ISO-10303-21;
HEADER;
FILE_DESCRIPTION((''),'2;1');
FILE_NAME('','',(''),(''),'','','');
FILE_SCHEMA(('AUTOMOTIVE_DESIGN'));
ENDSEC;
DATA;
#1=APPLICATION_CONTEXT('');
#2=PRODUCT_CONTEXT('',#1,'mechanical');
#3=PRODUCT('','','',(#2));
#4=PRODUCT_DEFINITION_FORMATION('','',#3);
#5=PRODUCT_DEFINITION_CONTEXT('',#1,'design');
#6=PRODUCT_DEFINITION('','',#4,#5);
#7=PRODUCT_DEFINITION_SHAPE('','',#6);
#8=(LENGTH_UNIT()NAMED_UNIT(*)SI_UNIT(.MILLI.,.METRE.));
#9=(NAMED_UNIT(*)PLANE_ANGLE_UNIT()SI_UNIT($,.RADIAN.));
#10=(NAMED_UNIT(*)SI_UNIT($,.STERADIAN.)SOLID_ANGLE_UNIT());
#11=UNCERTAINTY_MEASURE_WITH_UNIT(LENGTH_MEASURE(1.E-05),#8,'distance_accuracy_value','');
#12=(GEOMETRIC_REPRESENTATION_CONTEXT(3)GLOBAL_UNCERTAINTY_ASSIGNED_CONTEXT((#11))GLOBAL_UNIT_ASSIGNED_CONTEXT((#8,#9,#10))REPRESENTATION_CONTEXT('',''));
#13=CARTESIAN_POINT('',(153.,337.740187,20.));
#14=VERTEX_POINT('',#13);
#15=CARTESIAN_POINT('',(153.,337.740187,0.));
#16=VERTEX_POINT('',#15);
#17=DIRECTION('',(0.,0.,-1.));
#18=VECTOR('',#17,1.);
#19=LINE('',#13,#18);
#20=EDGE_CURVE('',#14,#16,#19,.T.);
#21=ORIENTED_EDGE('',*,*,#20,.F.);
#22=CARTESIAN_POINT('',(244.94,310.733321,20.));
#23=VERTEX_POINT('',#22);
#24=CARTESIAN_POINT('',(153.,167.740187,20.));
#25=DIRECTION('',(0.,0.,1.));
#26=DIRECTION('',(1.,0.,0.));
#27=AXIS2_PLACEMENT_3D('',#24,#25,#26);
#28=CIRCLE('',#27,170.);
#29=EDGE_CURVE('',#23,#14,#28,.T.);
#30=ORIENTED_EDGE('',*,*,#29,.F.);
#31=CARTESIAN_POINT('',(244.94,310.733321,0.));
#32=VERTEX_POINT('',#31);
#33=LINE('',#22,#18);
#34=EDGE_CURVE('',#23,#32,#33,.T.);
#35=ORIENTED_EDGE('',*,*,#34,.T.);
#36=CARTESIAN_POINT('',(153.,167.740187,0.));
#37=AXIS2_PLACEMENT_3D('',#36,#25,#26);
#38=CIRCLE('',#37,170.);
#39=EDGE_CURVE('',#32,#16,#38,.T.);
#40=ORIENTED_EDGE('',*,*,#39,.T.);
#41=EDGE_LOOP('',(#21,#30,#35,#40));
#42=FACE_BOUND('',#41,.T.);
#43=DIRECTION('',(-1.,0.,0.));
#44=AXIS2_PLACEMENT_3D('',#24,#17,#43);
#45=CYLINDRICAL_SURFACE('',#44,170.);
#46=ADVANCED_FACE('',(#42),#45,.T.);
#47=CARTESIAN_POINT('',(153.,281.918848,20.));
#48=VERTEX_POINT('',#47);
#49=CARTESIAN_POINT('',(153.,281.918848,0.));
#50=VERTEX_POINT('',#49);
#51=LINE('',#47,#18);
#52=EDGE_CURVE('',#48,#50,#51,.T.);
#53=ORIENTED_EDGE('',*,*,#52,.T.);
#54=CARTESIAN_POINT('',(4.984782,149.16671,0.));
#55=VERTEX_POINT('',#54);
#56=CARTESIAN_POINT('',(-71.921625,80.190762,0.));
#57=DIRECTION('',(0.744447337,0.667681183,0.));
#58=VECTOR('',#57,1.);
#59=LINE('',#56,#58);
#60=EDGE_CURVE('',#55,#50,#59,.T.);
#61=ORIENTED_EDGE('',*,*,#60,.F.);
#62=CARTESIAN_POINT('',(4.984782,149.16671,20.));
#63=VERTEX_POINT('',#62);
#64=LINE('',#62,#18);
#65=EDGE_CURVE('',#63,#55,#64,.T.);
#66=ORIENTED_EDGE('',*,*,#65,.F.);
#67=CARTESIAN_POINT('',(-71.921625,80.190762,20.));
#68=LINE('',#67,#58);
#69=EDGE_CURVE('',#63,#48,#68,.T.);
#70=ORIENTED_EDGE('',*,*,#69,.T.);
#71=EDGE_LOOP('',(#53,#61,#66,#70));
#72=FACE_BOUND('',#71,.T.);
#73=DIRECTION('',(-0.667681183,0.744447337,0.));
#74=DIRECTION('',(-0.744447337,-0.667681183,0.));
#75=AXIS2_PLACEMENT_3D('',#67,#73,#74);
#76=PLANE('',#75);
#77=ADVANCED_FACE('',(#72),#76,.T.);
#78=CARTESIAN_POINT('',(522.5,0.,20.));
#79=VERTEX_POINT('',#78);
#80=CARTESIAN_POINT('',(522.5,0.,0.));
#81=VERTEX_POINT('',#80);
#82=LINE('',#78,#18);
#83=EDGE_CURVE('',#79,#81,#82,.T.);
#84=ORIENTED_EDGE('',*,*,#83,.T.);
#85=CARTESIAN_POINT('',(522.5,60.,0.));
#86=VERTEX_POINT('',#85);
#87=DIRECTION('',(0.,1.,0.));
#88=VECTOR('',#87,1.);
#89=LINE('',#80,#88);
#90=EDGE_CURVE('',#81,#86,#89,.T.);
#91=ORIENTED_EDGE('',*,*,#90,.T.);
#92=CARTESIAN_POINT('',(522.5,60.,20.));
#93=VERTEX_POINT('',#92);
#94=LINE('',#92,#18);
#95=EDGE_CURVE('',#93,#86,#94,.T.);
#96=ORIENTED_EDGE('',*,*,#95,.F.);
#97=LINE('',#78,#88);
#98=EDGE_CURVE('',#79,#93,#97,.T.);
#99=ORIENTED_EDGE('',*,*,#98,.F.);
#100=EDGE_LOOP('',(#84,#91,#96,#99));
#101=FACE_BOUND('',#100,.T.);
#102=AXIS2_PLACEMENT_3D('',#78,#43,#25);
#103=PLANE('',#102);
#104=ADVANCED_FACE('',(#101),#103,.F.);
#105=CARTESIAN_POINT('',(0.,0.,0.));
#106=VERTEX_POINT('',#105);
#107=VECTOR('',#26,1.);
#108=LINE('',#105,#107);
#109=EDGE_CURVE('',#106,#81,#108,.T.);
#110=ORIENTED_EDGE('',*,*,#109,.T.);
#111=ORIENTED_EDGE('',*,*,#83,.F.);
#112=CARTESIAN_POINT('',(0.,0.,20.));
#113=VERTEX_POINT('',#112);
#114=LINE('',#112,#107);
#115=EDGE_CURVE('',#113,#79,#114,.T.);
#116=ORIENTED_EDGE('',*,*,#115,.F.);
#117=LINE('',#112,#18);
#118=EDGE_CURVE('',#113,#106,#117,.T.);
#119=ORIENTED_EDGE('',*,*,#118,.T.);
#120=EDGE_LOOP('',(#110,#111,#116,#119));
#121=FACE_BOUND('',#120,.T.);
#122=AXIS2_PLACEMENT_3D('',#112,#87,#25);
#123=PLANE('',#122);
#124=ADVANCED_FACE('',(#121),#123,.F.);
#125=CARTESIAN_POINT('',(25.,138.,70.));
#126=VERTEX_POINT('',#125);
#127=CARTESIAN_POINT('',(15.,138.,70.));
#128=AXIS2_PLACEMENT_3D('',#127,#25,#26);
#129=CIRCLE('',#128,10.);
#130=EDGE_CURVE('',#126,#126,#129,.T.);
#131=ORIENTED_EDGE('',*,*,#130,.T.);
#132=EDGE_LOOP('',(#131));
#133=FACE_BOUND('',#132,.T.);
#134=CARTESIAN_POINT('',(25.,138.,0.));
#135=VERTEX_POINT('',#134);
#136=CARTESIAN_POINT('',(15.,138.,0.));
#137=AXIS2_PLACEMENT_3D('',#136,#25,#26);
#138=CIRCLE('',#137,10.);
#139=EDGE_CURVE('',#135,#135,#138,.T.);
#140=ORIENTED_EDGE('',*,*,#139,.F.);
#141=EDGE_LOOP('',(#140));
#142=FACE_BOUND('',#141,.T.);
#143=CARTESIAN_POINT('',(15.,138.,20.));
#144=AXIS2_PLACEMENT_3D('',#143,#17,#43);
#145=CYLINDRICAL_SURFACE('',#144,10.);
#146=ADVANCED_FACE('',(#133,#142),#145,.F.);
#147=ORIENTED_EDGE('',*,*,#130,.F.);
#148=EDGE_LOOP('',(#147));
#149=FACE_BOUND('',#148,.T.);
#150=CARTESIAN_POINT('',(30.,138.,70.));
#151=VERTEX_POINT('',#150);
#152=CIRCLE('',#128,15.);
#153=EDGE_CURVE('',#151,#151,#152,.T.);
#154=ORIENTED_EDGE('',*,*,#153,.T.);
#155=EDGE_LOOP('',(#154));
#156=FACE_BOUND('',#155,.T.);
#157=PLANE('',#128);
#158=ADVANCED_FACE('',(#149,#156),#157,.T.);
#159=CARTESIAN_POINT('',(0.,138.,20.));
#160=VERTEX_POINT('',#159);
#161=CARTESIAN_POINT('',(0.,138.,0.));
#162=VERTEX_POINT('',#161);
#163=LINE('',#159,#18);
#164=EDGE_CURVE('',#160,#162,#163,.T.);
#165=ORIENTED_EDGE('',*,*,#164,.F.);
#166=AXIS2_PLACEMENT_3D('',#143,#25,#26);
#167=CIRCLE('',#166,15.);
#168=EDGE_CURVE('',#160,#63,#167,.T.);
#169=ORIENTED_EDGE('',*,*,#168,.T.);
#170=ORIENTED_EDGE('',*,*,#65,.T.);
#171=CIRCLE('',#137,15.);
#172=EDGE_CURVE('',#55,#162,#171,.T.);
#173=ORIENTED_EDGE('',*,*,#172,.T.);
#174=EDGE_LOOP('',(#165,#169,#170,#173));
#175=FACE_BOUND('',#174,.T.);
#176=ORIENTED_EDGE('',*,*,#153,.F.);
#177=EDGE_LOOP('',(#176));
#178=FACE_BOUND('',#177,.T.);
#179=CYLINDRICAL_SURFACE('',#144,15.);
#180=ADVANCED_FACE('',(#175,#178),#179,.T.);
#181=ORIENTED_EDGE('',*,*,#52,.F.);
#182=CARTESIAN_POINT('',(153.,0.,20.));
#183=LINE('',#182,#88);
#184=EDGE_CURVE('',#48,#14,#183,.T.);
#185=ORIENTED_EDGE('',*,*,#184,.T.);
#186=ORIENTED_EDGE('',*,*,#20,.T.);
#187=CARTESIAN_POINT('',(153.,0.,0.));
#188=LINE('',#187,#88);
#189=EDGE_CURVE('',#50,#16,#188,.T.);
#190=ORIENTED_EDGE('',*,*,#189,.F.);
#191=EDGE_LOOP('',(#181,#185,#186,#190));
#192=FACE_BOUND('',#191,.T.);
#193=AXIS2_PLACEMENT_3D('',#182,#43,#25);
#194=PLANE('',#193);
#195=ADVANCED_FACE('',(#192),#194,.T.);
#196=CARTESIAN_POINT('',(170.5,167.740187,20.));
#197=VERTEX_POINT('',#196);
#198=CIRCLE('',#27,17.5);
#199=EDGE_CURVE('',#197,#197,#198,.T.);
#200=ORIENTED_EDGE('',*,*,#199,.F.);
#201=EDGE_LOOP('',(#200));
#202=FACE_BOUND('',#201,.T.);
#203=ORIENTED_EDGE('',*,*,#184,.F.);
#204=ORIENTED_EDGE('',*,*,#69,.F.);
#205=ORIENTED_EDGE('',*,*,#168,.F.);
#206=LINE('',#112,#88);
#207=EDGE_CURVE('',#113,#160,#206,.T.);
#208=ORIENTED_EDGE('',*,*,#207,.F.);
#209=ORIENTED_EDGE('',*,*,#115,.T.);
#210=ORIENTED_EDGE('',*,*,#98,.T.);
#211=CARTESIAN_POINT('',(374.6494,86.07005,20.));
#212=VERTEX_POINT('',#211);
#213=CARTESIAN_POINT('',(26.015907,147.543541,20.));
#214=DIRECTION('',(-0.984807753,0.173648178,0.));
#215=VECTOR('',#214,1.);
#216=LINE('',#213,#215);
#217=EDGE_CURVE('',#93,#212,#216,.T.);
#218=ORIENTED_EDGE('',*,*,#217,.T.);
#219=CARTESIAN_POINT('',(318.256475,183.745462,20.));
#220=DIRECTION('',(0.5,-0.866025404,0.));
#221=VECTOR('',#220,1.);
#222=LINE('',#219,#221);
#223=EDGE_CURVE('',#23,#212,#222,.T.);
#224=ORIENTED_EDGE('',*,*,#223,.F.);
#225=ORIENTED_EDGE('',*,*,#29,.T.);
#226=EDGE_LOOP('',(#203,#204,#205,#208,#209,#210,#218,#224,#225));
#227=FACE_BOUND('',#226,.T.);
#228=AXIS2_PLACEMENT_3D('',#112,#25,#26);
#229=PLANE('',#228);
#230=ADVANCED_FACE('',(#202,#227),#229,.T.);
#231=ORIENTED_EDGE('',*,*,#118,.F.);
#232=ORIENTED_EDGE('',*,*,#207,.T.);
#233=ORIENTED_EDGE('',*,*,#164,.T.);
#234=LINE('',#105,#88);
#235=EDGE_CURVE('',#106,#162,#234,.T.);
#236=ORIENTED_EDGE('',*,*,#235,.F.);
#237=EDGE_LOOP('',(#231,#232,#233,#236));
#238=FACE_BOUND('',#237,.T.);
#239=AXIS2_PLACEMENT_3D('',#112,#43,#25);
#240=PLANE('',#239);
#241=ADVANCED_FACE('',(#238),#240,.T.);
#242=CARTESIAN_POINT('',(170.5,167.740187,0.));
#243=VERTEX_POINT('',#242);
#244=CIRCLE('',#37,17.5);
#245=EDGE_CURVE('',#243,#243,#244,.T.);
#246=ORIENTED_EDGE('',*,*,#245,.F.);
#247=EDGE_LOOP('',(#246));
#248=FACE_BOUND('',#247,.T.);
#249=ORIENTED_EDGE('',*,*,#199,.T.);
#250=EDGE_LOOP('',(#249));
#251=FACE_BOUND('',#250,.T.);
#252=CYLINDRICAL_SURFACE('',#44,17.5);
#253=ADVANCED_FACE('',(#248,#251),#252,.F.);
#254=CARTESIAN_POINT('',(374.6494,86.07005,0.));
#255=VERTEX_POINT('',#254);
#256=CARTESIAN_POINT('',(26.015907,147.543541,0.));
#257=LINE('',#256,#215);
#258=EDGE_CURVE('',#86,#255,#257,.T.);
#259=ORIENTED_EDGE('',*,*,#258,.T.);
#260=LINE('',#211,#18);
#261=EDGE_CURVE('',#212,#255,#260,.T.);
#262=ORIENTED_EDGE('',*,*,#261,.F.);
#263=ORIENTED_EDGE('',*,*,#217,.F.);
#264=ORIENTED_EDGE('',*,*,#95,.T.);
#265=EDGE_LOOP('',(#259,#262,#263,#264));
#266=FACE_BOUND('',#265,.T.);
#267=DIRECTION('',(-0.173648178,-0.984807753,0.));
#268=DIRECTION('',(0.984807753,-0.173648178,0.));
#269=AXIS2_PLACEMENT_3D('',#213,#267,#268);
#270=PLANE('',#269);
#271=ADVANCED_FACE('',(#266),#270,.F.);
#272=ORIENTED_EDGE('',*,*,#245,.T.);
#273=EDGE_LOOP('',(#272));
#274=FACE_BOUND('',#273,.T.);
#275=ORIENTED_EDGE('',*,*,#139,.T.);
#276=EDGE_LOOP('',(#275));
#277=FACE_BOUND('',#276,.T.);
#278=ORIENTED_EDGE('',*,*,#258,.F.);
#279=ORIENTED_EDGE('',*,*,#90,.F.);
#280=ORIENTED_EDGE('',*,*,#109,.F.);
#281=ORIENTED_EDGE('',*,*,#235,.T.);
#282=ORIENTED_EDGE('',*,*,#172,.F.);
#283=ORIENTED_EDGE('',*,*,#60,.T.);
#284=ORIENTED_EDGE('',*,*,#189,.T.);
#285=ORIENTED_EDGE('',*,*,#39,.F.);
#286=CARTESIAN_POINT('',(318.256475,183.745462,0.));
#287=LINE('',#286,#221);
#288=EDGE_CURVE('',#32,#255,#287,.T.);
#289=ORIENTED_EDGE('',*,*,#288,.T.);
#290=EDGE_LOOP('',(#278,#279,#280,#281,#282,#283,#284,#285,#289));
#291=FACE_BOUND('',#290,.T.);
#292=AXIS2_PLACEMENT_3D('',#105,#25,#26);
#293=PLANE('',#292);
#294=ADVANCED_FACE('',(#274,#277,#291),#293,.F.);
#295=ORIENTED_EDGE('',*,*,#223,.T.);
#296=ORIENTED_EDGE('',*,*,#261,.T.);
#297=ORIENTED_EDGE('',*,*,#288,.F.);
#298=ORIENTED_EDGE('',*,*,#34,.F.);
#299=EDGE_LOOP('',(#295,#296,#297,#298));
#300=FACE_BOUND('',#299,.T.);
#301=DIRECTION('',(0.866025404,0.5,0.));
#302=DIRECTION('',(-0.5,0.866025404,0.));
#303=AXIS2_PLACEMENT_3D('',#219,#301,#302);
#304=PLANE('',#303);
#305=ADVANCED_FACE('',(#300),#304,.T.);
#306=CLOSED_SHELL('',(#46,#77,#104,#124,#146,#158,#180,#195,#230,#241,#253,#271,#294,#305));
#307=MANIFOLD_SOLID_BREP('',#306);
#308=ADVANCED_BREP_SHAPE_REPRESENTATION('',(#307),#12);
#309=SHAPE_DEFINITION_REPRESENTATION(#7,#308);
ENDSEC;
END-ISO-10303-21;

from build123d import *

# Parameters (mm, degrees)
SKETCH1_R           = 17.5
SKETCH1_R_2         = 10
BOSS_EXTRUDE1_DEPTH = 20
SKETCH2_R           = 15
SKETCH2_R_2         = 10
BOSS_EXTRUDE2_DEPTH = 50


with BuildPart() as part:
    # Sketch1 → Boss-Extrude1 (new body)
    with BuildSketch(Plane.XY):
        with BuildLine():
            Line((0, 138), (0, 0))
            Line((0, 0), (522.5, 0))
            Line((522.5, 0), (522.5, 60))
            Line((522.5, 60), (374.649400312, 86.070049839))
            Line((374.649400312, 86.070049839), (244.94, 310.733321399))
            ThreePointArc((244.94, 310.733321399), (200.912248971, 330.848790378), (153, 337.740187298))
            Line((153, 337.740187298), (153, 281.918848091))
            Line((153, 281.918848091), (4.984782256, 149.166710059))
            ThreePointArc((4.984782256, 149.166710059), (1.302769146, 144.114398329), (0, 138))
        make_face()
        with Locations((153, 167.740187298)):
            Circle(SKETCH1_R, mode=Mode.SUBTRACT)
        with Locations((15, 138)):
            Circle(SKETCH1_R_2, mode=Mode.SUBTRACT)
    extrude(amount=BOSS_EXTRUDE1_DEPTH)

    # Sketch2 → Boss-Extrude2 (add)
    with BuildSketch(Plane.XY.offset(20)):
        with Locations((15, 138)):
            Circle(SKETCH2_R)
        with Locations((15, 138)):
            Circle(SKETCH2_R_2, mode=Mode.SUBTRACT)
    extrude(amount=BOSS_EXTRUDE2_DEPTH)


solid = part.part
